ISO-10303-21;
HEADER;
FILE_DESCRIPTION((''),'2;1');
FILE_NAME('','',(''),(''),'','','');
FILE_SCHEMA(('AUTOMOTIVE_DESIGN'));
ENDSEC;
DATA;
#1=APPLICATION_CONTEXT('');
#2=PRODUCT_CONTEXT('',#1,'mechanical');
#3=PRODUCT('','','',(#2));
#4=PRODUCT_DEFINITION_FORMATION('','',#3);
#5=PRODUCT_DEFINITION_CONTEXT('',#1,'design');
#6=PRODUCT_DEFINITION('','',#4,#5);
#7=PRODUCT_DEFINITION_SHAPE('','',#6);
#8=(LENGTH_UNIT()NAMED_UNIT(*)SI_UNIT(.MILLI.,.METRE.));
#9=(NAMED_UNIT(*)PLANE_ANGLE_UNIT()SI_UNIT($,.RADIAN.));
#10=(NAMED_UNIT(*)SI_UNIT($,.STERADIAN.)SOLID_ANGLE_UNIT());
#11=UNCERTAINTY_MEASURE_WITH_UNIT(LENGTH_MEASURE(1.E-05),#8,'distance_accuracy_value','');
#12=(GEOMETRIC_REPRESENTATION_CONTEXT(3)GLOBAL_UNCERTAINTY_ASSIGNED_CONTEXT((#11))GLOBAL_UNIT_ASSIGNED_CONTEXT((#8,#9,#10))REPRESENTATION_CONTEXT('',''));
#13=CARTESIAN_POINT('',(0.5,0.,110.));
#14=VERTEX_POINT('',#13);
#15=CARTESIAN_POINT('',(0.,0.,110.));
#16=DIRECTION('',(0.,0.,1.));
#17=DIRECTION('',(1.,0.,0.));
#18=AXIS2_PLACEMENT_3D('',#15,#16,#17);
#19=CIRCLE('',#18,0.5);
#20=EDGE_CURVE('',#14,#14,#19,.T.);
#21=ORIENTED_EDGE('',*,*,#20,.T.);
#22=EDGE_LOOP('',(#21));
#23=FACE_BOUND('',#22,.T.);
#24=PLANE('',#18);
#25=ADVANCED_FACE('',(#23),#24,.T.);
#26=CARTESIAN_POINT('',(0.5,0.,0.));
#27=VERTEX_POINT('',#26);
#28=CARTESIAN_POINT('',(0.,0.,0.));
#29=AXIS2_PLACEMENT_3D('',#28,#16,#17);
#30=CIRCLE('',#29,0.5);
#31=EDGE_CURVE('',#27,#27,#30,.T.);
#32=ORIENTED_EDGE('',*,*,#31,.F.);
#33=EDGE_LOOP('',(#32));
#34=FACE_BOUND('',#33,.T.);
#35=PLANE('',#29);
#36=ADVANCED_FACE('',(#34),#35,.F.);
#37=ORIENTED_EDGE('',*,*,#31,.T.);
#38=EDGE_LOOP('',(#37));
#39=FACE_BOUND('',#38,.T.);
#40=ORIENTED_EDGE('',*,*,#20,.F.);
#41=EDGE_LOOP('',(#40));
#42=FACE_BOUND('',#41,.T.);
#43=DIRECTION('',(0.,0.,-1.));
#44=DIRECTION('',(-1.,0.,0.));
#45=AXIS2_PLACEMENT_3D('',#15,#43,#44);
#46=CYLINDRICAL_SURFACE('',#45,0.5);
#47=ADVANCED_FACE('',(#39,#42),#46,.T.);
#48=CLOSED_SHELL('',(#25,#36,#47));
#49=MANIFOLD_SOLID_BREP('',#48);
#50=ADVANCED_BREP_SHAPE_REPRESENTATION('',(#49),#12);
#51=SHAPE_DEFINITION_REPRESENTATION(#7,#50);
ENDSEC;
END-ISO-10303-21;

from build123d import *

# Parameters (mm, degrees)
SKETCH_1_R      = 0.5
EXTRUDE_1_DEPTH = 110


with BuildPart() as part:
    # 草图1 → 凸台-拉伸1 (new body)
    with BuildSketch(Plane.XY):
        Circle(SKETCH_1_R)
    extrude(amount=EXTRUDE_1_DEPTH)


solid = part.part
